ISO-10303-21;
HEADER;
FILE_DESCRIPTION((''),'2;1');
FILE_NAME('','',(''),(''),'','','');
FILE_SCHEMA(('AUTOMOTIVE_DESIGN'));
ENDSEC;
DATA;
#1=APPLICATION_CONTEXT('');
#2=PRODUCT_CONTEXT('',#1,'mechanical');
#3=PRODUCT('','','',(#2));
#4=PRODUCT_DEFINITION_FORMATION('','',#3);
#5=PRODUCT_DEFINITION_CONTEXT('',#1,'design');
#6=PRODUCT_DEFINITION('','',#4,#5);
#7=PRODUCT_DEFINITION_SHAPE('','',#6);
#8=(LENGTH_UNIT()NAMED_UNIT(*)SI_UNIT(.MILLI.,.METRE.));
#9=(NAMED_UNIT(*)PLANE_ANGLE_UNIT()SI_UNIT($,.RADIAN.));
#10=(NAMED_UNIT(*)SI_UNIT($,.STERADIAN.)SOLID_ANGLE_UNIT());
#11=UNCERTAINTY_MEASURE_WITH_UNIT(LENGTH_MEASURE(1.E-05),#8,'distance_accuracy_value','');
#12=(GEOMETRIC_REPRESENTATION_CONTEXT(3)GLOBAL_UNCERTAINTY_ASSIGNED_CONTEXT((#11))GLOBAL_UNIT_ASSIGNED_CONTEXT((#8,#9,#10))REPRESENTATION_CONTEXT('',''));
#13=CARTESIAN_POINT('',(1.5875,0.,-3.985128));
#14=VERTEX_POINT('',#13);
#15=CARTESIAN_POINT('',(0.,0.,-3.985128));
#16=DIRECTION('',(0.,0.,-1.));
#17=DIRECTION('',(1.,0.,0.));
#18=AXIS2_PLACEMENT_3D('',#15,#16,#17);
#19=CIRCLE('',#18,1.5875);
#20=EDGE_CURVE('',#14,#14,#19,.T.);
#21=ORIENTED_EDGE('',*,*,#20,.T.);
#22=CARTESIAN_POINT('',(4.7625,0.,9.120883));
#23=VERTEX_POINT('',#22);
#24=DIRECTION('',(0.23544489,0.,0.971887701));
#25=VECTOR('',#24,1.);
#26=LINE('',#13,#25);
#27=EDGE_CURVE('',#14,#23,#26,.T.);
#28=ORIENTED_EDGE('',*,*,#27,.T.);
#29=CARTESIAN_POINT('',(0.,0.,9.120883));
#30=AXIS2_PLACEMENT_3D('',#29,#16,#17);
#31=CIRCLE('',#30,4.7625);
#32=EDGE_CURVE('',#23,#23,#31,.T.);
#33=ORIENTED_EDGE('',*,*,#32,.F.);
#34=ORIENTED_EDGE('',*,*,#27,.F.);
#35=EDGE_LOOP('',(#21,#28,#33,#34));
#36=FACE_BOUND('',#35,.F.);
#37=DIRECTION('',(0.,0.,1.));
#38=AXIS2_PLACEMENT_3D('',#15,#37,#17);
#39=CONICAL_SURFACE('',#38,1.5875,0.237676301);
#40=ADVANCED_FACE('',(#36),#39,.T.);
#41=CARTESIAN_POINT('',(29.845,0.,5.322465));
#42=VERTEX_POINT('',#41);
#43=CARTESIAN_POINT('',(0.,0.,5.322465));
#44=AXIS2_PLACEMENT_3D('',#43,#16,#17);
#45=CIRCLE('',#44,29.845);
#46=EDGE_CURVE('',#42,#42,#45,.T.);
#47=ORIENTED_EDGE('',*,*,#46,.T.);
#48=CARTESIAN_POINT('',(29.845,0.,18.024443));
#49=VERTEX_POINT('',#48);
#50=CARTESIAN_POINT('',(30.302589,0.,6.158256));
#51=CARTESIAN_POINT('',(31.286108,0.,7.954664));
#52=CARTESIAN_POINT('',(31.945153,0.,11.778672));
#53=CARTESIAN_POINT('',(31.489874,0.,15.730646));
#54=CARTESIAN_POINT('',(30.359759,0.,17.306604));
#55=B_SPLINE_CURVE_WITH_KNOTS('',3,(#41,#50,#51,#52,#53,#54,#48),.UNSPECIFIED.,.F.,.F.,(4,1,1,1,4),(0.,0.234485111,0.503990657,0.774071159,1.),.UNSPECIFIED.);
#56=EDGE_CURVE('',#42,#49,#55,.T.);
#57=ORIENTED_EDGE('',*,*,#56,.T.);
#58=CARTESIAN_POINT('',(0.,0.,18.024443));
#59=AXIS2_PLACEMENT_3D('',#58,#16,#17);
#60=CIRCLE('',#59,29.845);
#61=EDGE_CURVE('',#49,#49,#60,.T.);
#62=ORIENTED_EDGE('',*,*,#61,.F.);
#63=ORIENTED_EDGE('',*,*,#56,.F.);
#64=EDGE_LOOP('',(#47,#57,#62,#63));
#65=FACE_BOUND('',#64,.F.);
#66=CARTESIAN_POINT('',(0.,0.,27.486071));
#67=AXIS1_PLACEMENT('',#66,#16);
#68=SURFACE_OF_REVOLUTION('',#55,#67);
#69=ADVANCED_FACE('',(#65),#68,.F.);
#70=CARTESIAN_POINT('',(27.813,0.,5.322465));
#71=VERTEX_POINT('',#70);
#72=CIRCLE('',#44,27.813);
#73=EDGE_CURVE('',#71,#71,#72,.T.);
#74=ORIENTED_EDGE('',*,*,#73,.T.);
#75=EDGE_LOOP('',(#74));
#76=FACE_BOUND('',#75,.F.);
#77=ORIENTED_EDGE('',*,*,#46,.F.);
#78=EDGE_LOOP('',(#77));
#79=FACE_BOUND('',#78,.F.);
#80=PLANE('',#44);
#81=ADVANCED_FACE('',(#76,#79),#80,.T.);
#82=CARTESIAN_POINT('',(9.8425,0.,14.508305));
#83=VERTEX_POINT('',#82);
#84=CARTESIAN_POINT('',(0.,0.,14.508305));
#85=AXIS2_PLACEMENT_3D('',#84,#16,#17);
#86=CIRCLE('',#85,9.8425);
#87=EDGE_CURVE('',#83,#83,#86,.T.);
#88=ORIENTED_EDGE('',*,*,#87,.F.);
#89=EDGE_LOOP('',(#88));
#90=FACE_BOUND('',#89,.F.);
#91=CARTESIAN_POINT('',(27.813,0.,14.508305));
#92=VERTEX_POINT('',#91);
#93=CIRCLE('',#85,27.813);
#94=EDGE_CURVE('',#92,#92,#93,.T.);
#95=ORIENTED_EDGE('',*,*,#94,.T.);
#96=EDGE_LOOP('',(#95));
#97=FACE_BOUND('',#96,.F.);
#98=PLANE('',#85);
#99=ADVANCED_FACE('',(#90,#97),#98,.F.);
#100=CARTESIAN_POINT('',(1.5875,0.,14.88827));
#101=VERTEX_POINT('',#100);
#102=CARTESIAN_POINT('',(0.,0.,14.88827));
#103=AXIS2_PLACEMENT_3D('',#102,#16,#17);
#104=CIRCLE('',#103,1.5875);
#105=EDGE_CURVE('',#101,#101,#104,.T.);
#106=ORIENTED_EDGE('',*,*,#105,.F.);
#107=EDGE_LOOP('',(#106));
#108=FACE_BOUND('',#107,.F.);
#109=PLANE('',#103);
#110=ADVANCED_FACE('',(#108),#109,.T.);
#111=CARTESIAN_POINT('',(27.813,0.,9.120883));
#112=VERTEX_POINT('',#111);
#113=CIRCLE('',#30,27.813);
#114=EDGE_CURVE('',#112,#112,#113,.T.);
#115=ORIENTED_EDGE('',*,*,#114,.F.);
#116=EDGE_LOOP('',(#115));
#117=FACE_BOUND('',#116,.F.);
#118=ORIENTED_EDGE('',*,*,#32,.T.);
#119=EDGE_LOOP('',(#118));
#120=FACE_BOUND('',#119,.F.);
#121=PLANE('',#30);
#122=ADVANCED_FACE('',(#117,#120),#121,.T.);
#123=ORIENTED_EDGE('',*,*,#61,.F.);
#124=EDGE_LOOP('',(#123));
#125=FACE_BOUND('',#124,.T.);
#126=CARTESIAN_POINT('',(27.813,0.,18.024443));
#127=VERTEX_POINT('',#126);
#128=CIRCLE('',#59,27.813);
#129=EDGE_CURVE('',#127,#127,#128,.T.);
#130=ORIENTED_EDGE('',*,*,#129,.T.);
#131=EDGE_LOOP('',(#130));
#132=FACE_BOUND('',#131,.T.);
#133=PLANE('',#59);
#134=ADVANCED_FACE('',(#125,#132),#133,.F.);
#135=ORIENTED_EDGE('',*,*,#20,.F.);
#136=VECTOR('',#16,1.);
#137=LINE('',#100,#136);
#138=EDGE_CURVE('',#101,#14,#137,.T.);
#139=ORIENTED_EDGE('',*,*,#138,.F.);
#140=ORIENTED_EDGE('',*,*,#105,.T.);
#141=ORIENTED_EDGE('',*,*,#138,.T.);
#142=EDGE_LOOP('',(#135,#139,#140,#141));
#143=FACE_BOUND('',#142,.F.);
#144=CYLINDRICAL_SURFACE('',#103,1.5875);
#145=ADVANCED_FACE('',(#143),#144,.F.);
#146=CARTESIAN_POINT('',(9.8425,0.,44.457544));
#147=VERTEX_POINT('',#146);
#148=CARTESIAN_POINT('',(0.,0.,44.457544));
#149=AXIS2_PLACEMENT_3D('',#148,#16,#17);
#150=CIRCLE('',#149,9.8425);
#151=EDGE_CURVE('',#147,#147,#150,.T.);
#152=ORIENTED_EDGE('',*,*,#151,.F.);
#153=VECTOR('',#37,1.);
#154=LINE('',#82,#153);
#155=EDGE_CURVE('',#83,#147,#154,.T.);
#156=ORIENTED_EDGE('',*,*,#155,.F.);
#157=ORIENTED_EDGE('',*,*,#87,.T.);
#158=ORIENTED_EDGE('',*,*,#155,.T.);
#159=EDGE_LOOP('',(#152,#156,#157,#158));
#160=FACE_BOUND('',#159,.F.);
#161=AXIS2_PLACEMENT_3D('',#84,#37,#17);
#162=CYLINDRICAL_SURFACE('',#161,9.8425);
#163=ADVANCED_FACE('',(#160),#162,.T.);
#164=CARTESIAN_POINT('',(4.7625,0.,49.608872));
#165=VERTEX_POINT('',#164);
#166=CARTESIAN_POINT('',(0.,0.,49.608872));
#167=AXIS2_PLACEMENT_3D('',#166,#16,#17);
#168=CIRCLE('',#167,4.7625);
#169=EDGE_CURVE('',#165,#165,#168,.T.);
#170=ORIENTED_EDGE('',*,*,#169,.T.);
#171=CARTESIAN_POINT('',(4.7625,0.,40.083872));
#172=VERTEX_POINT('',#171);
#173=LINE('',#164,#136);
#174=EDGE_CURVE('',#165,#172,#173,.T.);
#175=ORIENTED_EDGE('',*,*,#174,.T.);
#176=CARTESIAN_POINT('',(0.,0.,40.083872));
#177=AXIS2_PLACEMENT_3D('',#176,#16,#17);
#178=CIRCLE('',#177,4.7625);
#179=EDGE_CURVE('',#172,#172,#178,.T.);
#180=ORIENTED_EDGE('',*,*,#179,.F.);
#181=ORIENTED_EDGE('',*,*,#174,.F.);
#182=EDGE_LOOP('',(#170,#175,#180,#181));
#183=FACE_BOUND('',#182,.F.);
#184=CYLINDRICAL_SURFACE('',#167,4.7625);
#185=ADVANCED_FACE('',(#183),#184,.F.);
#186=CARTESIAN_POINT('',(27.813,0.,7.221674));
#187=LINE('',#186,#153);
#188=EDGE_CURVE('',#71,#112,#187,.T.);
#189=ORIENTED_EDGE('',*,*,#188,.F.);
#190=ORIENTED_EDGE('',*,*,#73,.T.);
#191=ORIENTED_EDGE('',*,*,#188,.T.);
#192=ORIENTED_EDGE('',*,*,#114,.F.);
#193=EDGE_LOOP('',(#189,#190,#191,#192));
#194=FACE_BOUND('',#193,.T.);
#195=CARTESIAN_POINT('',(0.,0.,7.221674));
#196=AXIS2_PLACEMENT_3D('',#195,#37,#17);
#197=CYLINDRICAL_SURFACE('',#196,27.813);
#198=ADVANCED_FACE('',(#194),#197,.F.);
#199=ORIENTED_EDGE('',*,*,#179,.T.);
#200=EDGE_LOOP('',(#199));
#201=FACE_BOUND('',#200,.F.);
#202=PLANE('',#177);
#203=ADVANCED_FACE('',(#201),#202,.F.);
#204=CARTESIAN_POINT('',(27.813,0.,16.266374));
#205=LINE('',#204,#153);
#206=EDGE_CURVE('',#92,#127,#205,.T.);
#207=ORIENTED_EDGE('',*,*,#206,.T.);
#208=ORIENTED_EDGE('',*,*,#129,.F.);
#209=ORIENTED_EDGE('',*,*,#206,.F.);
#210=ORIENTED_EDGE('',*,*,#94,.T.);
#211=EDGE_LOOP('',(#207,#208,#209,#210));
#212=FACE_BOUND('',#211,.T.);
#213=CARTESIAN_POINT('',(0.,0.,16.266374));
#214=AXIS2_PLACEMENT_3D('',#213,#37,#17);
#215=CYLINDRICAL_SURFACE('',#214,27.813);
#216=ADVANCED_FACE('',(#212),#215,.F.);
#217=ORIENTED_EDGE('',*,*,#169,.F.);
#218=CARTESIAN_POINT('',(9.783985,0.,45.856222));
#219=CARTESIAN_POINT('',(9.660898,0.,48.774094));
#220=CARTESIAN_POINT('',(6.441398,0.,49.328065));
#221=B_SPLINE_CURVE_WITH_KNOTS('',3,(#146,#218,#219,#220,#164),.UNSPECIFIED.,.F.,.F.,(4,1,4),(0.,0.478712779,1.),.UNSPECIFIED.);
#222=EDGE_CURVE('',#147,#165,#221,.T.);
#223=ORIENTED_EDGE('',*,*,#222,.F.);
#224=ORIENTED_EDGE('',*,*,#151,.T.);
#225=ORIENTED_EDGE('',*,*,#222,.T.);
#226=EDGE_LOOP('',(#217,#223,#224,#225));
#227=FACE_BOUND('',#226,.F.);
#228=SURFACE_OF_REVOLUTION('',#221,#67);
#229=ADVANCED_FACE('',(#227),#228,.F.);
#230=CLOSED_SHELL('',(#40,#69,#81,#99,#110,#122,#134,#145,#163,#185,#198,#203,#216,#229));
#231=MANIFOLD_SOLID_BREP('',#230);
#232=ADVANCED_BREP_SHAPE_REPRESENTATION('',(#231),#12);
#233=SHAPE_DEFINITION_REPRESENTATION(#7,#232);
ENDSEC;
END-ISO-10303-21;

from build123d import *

# Parameters (mm, degrees)
F0_W   = 2.032
F0_H   = 3.5161375999
F0_H_2 = 3.7984182127


with BuildPart() as f1:
    # F0 (on Front) → F1 (revolve)
    with BuildSketch(Plane.XZ):
        with BuildLine():
            add(Edge.make_bspline(
                [(9.8425, 44.4575436413), (9.7839845115, 45.8562221224), (9.6608982492, 48.7740941859), (6.4413978333, 49.328065318), (4.7625, 49.6088718547)],
                knots=[0, 0, 0, 0, 0.4787127794, 1, 1, 1, 1], degree=3))
            Line((4.7625, 49.6088718547), (4.7625, 40.0838718547))
            Line((4.7625, 40.0838718547), (4.7625, 14.5083051175))
            Line((4.7625, 14.5083051175), (9.8425, 14.5083051175))
            Line((9.8425, 14.5083051175), (9.8425, 44.4575436413))
        make_face()
        Polygon((4.7625, 14.5083051175), (4.7625, 40.0838718547), (0, 40.0838718547), (0, 14.8882698268), (1.5875, 14.8882698268), (1.5875, -3.9851281453), (4.7625, 9.1208834201), (27.813, 9.1208834201), (27.813, 14.5083051175), (9.8425, 14.5083051175), align=None)
        with Locations((28.829, 16.2663739175)):
            Rectangle(F0_W, F0_H)
        Polygon((29.845, 14.5083051175), (27.813, 14.5083051175), (27.813, 9.1208834201), (29.845, 9.1208834201), (29.845, 11.8057662621), align=None)
        with BuildLine():
            Line((29.845, 18.0244427174), (29.845, 14.5083051175))
            Line((29.845, 14.5083051175), (29.845, 11.8057662621))
            Line((29.845, 11.8057662621), (29.845, 9.1208834201))
            Line((29.845, 9.1208834201), (29.845, 5.3224652074))
            add(Edge.make_bspline(
                [(29.845, 5.3224652074), (30.3025890093, 6.1582561658), (31.2861081088, 7.9546637588), (31.9451527508, 11.7786724446), (31.4898737031, 15.7306460213), (30.3597593214, 17.3066044855), (29.845, 18.0244427174)],
                knots=[0, 0, 0, 0, 0.2344851114, 0.5039906574, 0.7740711589, 1, 1, 1, 1], degree=3))
        make_face()
        with Locations((28.829, 7.2216743138)):
            Rectangle(F0_W, F0_H_2)
    revolve(axis=Axis((0, 0, 27.4860708408), (0, 0, -1)))


solid = f1.part
